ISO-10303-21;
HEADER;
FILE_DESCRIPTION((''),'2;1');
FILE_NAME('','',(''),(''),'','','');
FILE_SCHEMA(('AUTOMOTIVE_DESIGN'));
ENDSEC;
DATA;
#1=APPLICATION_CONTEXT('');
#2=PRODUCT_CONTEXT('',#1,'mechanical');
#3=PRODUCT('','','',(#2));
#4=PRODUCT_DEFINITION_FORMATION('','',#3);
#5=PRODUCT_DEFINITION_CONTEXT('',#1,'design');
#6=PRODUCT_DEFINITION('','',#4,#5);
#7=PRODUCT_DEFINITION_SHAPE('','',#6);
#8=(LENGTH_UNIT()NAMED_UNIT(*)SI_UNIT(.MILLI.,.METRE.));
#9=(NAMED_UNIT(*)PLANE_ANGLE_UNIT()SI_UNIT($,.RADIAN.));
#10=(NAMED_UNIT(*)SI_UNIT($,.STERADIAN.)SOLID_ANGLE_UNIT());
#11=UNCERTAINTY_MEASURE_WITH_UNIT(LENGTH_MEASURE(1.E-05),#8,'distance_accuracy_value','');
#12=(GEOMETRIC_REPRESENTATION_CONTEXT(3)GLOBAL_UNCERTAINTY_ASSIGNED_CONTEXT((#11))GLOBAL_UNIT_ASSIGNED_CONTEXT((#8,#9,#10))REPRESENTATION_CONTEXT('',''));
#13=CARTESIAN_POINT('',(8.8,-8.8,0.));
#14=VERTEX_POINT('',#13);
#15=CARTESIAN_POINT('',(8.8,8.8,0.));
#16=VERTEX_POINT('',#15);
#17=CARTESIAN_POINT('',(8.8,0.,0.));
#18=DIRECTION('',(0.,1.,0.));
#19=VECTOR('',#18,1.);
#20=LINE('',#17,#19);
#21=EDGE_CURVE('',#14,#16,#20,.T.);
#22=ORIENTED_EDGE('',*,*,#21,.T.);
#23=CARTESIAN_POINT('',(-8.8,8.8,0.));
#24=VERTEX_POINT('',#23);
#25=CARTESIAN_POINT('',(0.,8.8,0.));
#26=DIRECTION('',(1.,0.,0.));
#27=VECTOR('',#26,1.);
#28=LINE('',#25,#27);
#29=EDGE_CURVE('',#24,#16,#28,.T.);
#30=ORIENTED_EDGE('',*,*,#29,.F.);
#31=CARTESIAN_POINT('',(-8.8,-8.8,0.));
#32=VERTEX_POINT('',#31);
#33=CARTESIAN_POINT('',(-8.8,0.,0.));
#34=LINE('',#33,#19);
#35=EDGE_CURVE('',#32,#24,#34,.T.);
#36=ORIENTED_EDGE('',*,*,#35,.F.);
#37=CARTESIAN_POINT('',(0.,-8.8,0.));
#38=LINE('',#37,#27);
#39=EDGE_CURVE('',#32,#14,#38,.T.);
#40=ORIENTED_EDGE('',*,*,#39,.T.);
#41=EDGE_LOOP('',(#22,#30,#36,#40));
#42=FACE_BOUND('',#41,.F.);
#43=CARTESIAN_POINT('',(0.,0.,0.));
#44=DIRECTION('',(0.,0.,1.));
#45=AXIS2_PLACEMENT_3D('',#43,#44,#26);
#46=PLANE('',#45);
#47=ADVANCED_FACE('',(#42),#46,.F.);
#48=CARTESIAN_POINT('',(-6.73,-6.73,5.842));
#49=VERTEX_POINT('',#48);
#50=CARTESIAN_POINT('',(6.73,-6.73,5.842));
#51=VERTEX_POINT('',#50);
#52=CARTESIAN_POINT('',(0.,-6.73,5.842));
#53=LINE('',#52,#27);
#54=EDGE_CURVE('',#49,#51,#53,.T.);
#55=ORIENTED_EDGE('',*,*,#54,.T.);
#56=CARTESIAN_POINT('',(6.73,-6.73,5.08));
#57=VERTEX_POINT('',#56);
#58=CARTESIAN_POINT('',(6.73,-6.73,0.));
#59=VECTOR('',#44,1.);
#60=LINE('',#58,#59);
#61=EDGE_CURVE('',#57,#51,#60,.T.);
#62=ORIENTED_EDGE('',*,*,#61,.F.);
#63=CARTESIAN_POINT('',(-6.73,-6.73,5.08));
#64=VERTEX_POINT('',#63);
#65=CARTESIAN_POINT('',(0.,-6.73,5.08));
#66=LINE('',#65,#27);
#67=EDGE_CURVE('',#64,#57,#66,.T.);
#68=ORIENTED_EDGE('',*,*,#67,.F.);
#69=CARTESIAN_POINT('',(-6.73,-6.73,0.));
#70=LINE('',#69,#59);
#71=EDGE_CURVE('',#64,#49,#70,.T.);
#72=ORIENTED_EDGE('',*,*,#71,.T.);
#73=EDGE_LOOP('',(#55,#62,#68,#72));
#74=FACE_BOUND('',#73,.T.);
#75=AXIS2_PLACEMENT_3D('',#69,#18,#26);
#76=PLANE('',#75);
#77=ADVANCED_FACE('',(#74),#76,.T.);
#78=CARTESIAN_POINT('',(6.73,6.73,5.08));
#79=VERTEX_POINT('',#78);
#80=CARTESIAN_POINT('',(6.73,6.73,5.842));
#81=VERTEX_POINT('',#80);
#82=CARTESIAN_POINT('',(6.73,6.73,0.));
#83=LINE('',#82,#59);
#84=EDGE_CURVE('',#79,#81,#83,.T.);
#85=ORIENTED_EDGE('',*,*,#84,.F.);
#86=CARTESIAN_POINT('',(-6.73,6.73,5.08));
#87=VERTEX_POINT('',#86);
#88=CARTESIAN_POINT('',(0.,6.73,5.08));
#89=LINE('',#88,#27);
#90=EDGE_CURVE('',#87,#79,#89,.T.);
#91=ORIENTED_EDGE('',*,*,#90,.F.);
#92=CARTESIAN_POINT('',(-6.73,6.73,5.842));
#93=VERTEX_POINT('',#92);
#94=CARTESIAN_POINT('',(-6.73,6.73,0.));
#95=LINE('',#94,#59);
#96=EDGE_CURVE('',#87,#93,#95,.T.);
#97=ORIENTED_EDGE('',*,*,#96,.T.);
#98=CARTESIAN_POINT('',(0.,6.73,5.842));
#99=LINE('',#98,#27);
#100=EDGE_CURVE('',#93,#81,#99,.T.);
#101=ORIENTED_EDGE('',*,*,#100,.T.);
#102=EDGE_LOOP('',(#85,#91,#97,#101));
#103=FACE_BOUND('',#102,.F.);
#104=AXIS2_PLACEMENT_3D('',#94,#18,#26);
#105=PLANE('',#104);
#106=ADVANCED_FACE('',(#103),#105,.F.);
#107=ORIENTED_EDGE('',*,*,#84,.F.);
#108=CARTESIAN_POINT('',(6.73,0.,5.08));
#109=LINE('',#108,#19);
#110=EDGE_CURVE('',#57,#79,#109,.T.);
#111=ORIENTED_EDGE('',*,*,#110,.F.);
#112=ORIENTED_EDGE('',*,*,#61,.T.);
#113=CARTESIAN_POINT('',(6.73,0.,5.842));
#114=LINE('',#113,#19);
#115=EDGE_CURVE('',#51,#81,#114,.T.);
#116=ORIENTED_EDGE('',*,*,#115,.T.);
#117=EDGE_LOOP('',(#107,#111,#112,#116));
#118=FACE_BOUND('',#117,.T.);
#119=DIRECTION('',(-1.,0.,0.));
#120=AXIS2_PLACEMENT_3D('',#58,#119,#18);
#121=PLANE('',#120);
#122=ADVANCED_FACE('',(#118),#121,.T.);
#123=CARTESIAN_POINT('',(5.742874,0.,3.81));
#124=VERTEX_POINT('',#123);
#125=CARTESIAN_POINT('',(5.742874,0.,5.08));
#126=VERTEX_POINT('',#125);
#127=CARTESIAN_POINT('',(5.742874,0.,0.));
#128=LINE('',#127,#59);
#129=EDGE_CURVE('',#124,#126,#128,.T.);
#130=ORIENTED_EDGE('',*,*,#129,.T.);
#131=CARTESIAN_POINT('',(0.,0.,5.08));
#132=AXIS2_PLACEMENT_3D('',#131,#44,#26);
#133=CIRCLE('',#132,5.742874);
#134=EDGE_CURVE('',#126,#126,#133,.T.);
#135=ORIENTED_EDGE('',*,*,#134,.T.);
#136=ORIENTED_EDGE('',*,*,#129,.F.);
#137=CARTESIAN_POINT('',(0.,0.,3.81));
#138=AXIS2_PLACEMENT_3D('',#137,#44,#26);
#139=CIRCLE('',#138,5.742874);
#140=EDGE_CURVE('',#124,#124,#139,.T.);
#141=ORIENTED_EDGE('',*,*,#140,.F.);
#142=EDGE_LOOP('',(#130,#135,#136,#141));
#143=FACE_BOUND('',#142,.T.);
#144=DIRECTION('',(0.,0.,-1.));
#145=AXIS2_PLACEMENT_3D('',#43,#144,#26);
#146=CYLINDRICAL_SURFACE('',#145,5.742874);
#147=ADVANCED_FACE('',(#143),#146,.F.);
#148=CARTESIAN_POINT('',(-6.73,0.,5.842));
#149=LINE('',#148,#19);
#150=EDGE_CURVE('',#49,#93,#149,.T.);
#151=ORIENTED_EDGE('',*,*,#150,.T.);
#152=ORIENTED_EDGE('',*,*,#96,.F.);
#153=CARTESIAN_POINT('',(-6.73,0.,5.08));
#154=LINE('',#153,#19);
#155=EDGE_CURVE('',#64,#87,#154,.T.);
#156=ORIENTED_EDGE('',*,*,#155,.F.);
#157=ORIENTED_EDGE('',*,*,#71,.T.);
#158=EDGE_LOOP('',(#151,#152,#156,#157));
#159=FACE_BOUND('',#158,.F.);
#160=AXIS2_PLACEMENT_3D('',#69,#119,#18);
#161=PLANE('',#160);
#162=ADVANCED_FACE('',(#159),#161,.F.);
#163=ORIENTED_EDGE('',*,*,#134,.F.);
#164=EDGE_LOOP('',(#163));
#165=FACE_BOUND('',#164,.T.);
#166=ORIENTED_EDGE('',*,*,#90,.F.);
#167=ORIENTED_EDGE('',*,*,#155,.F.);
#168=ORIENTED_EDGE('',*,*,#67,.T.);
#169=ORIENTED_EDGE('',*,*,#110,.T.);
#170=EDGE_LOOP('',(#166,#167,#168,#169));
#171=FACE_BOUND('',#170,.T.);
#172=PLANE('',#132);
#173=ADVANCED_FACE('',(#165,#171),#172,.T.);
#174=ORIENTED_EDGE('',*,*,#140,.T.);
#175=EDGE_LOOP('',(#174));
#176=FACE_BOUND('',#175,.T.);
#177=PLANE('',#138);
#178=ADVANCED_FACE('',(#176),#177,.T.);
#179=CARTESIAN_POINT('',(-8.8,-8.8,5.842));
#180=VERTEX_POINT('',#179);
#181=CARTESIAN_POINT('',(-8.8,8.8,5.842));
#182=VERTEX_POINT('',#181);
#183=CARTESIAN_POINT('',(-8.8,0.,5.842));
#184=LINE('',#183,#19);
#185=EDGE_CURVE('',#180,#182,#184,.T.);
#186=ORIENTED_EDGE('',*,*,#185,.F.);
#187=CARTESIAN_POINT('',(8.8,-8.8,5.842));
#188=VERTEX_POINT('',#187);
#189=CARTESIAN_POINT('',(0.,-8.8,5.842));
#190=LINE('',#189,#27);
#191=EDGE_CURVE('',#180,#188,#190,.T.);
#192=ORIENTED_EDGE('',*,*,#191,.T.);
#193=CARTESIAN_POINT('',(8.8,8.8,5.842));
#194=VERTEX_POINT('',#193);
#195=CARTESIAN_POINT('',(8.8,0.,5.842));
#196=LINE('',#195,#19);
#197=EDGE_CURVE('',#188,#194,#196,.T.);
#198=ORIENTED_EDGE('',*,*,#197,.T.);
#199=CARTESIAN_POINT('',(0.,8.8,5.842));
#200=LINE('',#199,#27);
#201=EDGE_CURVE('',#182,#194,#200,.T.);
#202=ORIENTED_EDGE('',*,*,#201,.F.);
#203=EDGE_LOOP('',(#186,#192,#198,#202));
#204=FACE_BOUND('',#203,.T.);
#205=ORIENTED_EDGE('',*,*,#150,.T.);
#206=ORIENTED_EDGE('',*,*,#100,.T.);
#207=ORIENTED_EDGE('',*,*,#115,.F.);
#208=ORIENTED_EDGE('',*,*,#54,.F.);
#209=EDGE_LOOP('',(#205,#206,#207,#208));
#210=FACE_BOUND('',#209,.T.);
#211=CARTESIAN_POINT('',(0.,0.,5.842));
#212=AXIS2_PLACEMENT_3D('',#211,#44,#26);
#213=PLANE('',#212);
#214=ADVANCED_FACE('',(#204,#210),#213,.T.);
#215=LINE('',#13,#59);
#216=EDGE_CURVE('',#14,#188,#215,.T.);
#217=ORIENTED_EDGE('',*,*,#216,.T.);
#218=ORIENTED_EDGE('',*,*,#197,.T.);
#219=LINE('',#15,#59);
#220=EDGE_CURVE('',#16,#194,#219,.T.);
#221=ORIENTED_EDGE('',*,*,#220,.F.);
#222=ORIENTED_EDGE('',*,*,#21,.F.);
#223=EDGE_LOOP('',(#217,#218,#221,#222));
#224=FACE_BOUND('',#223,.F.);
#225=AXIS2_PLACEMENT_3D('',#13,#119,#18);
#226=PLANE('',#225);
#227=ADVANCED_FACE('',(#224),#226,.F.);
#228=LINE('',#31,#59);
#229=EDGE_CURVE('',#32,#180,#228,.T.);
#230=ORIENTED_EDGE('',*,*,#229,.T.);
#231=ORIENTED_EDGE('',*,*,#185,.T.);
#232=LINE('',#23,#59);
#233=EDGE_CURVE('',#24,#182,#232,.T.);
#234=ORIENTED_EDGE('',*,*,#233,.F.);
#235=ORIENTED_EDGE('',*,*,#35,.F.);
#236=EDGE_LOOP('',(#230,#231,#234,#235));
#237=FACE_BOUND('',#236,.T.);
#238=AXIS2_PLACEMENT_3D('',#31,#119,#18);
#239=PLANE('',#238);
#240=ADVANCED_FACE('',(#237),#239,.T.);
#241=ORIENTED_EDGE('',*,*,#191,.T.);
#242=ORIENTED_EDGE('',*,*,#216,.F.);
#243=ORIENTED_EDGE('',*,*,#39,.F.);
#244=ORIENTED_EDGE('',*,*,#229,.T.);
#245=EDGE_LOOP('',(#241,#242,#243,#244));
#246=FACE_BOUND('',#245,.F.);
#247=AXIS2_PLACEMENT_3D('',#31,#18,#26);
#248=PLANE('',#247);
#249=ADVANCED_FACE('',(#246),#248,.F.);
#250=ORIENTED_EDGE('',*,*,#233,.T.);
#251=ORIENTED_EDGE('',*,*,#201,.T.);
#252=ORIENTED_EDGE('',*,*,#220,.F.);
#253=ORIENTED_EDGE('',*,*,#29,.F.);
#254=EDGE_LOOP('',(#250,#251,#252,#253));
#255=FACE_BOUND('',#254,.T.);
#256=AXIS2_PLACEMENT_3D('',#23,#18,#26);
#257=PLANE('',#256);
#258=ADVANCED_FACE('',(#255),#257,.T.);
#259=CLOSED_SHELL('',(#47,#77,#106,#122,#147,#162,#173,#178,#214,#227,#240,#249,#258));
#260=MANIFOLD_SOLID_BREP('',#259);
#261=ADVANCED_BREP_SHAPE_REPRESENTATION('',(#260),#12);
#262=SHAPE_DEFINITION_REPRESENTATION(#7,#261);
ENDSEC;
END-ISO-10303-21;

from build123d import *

# Parameters (mm, degrees)
F0_W     = 13.46
F0_H     = 13.46
F0_R     = 5.742874
F1_DEPTH = 5.08
F0_W_2   = 17.6
F0_H_2   = 17.6
F2_DEPTH = 5.842
F3_DEPTH = 3.81


with BuildPart() as f1:
    # F0 (on Top) → F1 (new body)
    with BuildSketch(Plane.XY):
        Rectangle(F0_W, F0_H)
        Circle(F0_R, mode=Mode.SUBTRACT)
    extrude(amount=F1_DEPTH)

    # F0 (on Top) → F2 (join)
    with BuildSketch(Plane.XY):
        Rectangle(F0_W_2, F0_H_2)
        Rectangle(F0_W, F0_H, mode=Mode.SUBTRACT)
    extrude(amount=F2_DEPTH)

    # F0 (on Top) → F3 (join)
    with BuildSketch(Plane.XY):
        Circle(F0_R)
    extrude(amount=F3_DEPTH)


solid = f1.part
